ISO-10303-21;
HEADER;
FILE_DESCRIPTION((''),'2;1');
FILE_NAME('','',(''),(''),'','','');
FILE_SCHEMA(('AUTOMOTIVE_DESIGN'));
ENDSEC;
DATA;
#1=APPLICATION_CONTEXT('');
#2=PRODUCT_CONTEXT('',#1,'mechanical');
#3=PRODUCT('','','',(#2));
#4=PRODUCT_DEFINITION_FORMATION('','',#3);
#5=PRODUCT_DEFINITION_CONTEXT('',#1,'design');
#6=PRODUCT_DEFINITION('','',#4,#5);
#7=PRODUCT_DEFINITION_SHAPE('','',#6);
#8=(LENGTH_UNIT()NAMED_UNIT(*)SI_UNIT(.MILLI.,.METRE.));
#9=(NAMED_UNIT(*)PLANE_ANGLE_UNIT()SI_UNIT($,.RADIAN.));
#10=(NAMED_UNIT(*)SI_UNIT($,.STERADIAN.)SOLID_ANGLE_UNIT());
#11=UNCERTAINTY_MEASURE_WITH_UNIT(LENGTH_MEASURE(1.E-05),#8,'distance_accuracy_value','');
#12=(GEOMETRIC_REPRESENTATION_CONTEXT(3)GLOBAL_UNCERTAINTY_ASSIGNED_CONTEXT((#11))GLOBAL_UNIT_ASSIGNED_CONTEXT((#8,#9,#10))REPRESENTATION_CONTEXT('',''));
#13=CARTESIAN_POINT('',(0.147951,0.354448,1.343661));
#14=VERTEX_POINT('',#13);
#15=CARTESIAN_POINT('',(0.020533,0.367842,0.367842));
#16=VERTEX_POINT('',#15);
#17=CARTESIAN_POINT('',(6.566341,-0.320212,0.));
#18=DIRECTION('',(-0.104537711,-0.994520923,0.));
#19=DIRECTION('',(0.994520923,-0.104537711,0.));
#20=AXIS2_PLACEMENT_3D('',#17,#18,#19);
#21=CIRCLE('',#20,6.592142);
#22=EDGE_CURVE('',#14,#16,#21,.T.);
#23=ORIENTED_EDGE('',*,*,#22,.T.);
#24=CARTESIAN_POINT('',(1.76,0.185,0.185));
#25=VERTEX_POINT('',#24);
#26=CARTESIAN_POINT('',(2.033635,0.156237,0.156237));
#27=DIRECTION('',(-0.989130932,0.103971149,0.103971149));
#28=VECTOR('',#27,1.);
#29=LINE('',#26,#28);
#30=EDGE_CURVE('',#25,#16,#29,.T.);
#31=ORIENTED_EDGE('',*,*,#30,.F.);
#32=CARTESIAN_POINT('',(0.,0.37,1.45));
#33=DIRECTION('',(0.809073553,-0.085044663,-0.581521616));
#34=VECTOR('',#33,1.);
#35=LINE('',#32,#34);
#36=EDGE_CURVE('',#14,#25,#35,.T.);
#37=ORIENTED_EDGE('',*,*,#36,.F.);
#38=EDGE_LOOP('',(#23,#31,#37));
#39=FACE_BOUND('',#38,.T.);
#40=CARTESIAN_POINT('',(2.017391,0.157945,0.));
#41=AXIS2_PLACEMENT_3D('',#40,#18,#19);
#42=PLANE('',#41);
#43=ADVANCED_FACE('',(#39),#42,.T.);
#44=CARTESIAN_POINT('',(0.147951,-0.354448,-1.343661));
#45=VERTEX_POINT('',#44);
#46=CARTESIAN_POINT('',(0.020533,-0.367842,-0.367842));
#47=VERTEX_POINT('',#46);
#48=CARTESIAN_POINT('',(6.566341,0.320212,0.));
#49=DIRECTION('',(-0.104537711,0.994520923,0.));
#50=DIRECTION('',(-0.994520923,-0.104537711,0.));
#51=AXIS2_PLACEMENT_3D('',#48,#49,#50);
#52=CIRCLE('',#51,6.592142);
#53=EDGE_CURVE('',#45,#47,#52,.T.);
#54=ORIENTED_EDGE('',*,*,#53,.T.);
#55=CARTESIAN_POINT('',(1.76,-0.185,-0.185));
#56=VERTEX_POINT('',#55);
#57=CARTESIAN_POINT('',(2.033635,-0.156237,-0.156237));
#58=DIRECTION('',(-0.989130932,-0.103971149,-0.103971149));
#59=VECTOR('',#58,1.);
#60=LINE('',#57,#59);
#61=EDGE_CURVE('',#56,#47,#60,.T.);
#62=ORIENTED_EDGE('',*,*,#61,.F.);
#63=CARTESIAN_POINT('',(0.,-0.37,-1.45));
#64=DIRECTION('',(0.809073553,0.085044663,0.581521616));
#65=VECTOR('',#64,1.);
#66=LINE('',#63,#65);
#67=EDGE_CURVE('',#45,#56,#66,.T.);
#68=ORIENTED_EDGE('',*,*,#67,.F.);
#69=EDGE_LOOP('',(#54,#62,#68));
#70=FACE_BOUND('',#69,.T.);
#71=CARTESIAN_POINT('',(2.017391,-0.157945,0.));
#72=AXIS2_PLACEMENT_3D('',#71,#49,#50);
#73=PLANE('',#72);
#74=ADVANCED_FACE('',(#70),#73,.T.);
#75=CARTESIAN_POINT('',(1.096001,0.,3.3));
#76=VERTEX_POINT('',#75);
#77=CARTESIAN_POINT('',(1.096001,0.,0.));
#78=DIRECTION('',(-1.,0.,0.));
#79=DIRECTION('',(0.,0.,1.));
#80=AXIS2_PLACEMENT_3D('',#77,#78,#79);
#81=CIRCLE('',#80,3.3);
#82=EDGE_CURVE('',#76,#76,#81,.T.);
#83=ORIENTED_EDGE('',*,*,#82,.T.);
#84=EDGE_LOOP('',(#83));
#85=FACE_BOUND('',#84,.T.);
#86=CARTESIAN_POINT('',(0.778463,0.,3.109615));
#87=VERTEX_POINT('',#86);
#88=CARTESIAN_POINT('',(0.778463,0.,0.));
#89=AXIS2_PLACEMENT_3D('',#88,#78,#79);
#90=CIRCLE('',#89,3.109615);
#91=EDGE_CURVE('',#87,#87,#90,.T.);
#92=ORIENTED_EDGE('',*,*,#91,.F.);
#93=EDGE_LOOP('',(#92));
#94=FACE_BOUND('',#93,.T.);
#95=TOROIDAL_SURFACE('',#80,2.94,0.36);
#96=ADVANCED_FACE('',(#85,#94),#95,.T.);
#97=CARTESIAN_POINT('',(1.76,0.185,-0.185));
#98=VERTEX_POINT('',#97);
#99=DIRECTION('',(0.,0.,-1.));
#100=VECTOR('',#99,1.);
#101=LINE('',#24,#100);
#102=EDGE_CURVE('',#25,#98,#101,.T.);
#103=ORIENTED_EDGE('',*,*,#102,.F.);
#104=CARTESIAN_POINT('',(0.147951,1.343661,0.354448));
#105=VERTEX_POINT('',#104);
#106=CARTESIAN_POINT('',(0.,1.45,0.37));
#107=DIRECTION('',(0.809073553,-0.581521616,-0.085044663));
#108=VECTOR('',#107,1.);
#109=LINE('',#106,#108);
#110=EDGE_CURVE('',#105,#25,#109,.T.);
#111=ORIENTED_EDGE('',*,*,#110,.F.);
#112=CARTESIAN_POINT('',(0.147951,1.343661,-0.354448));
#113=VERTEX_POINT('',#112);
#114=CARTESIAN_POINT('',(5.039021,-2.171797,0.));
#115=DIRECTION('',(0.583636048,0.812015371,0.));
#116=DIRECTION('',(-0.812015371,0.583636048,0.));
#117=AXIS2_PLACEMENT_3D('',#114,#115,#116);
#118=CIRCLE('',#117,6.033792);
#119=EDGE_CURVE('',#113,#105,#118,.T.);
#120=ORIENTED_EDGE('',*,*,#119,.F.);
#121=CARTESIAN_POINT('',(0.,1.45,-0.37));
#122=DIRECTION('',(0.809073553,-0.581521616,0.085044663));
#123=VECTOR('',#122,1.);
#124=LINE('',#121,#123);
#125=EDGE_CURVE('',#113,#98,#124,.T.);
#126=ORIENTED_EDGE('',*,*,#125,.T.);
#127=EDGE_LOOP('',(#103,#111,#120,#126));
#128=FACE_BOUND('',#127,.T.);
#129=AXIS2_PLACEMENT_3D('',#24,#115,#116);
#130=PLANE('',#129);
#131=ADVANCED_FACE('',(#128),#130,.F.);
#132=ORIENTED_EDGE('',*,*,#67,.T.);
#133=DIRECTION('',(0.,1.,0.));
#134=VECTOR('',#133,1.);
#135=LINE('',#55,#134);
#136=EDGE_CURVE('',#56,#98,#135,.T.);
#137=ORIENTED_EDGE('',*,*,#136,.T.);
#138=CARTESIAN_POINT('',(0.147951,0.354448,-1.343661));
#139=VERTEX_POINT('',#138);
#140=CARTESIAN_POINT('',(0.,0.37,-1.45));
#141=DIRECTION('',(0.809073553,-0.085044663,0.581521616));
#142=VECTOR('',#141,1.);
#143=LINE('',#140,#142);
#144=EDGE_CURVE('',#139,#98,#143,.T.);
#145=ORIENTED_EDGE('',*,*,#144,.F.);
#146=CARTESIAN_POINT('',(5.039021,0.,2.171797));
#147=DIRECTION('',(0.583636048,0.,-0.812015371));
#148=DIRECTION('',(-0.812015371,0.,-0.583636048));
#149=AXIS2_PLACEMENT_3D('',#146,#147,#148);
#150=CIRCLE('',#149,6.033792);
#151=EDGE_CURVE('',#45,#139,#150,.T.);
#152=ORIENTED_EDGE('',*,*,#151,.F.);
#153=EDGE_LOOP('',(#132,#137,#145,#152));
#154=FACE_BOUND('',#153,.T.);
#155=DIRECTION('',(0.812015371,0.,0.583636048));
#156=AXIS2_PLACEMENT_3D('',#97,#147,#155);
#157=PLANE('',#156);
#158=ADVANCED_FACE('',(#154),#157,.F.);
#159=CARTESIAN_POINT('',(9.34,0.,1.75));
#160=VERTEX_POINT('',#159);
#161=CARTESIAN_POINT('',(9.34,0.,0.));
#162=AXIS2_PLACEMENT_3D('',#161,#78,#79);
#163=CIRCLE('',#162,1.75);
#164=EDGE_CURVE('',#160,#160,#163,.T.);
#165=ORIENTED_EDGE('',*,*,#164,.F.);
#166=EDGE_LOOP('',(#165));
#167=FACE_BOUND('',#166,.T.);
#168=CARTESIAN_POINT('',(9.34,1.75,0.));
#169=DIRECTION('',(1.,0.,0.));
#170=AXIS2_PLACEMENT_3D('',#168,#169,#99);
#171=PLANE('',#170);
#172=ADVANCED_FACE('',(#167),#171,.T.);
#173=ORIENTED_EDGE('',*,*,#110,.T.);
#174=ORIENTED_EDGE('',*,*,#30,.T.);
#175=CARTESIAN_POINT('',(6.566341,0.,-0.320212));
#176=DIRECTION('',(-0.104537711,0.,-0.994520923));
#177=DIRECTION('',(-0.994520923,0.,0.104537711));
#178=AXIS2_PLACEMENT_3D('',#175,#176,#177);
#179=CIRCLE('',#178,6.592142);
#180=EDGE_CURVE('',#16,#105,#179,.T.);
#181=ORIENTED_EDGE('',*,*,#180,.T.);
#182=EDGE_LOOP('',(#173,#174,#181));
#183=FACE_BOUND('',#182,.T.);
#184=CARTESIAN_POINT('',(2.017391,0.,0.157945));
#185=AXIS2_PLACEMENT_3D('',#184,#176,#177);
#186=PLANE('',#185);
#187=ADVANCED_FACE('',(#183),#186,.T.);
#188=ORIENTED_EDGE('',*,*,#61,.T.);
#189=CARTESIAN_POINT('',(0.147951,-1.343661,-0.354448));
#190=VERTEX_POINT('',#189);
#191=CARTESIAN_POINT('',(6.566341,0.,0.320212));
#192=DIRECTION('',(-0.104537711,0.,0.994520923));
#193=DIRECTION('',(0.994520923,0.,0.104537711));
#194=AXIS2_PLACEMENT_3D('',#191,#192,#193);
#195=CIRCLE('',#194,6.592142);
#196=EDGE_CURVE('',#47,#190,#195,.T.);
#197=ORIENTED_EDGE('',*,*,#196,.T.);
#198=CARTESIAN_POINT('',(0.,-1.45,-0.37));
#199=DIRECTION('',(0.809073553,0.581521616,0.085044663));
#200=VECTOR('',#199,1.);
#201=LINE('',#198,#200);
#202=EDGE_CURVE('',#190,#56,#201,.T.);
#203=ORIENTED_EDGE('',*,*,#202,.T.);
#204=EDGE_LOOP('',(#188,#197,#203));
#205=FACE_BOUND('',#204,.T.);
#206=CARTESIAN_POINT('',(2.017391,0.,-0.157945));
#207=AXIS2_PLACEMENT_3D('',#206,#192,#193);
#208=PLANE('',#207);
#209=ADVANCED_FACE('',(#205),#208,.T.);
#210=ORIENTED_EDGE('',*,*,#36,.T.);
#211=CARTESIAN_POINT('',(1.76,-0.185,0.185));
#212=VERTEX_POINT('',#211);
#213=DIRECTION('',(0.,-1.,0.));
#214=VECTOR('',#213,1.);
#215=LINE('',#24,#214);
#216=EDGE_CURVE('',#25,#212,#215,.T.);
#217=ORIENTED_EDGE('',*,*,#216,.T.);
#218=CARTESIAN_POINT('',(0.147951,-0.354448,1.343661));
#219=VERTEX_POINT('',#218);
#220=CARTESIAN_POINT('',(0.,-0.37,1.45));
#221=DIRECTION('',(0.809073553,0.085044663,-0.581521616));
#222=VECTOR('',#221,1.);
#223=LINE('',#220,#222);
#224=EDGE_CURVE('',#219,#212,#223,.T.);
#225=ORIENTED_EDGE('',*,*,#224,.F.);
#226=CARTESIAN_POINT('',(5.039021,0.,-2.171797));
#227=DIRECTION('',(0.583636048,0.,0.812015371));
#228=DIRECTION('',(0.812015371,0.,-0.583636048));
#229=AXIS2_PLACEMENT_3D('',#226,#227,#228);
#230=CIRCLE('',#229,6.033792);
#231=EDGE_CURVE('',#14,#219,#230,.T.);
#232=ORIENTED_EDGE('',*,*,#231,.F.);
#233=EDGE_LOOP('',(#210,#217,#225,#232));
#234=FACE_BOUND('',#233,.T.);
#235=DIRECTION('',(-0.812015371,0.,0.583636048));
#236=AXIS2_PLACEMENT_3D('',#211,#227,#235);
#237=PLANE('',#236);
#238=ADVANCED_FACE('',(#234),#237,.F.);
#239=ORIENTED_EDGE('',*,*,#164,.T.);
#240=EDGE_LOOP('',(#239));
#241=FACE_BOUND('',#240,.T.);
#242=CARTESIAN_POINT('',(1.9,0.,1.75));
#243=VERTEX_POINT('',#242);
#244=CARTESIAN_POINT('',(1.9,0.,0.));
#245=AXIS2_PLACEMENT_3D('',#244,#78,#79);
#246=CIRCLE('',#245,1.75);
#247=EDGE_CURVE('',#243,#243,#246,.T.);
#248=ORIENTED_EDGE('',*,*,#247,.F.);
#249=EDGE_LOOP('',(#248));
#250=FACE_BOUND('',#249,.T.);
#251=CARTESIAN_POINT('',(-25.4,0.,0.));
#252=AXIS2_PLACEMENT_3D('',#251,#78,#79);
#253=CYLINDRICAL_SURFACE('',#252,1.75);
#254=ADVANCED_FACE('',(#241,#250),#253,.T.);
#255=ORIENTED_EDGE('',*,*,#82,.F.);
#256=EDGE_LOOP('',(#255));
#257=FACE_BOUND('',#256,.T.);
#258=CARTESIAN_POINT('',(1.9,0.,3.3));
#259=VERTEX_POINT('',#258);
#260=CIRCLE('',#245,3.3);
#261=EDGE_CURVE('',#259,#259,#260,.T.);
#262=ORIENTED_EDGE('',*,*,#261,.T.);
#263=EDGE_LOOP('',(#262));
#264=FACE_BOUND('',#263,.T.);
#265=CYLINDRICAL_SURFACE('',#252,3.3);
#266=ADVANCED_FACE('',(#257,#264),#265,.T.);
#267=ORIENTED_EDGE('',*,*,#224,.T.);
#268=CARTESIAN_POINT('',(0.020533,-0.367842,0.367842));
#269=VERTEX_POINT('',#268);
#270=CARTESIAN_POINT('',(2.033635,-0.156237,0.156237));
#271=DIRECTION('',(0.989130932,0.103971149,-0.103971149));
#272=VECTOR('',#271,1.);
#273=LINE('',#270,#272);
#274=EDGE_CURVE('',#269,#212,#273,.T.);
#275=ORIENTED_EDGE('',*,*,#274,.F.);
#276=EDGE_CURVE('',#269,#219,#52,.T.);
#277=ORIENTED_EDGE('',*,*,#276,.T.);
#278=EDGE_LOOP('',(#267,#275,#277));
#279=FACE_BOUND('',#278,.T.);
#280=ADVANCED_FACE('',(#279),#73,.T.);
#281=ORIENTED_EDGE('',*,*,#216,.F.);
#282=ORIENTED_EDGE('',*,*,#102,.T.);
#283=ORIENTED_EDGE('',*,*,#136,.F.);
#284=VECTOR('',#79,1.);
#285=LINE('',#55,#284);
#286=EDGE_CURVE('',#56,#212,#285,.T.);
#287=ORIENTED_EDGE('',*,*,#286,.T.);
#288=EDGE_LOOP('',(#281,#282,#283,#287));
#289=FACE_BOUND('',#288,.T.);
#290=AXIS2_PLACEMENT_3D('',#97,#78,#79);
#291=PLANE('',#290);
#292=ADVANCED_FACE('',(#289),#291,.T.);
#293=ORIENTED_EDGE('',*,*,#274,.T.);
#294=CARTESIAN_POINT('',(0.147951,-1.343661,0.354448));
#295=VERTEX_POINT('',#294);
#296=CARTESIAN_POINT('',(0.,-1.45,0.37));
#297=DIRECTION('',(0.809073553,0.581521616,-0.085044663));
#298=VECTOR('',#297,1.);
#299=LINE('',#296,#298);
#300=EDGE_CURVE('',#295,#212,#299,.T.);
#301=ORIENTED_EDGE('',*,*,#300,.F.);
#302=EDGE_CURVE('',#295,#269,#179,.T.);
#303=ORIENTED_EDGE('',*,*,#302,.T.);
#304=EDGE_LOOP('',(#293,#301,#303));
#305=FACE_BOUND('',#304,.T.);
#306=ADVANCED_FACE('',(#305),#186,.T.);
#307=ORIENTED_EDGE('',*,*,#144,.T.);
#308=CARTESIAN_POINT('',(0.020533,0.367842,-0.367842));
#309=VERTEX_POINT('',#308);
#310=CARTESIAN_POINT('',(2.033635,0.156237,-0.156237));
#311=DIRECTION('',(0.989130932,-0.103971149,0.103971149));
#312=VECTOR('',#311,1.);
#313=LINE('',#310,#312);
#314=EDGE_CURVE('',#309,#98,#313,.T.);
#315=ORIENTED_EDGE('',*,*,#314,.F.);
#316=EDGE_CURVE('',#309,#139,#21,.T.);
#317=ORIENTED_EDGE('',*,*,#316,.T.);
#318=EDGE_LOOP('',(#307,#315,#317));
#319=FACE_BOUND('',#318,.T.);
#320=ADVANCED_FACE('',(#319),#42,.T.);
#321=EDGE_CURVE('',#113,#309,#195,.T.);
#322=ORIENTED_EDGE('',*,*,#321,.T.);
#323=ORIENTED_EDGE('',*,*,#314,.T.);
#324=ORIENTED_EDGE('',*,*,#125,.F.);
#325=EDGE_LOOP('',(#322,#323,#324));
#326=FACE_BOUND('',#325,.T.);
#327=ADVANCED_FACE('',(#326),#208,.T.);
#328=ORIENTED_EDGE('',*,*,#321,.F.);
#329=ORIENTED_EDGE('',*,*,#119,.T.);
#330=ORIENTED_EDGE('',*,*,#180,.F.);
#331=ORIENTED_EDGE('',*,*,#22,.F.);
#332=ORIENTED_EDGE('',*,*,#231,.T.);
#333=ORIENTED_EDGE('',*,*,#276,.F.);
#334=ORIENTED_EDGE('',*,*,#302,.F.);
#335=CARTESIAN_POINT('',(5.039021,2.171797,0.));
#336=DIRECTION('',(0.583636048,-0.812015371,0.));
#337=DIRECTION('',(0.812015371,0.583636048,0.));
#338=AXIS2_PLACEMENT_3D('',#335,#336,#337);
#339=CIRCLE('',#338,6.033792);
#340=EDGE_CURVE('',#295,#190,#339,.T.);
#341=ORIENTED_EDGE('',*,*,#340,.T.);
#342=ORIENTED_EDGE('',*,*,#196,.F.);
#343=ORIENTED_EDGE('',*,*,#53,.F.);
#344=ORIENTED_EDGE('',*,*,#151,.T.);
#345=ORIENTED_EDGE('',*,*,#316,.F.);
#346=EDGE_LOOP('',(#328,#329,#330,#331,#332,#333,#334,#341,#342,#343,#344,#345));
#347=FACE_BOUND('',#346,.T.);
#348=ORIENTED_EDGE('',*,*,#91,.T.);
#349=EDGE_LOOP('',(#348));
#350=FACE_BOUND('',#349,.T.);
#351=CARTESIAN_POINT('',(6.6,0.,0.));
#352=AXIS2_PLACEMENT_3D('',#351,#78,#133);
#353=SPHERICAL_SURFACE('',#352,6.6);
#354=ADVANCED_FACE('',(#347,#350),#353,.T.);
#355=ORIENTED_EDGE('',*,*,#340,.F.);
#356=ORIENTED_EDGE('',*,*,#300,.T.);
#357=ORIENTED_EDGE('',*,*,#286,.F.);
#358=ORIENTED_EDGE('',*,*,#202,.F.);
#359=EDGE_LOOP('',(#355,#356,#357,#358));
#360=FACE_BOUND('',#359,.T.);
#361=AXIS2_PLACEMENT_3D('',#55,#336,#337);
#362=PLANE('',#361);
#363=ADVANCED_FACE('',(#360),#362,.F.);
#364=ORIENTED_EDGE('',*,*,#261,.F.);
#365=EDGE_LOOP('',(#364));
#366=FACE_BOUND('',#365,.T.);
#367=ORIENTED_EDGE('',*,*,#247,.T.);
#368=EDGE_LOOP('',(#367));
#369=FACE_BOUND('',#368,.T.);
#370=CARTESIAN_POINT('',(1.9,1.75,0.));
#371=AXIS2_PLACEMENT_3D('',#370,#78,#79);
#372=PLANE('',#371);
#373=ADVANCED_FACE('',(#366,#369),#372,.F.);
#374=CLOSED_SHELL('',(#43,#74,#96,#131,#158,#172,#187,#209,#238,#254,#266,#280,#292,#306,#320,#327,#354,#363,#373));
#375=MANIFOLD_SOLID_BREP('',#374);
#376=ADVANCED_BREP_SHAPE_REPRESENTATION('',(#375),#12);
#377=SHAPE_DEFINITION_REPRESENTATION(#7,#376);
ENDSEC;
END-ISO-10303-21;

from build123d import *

# Parameters (mm, degrees)
SKETCH3_W         = 0.74
SKETCH3_H         = 2.9
SKETCH4_W         = 0.37
SKETCH4_H         = 0.37
CIRPATTERN1_COUNT = 2
CIRPATTERN1_ANGLE = 90


with BuildPart() as part:
    # BodySke → Base-Revolve (revolve)
    with BuildSketch(Plane.XY):
        with BuildLine():
            Line((1.9, 1.75), (1.9, 3.3))
            Line((1.9, 3.3), (1.096001453, 3.3))
            ThreePointArc((1.096001453, 3.3), (0.910881949, 3.248756812), (0.778463076, 3.109615385))
            ThreePointArc((0.778463076, 3.109615385), (0.197572972, 1.602787619), (0, 0))
            Line((0, 0), (9.34, 0))
            Line((9.34, 0), (9.34, 1.75))
            Line((9.34, 1.75), (1.9, 1.75))
        make_face()
    revolve(axis=Axis((-25.4, 0, 0), (1, 0, 0)))

    # Sketch3 → Cut-Loft1 section 0
    with BuildSketch(Plane(origin=(0, 0, 0), x_dir=(0, 0, -1), z_dir=(1, 0, 0))):
        Rectangle(SKETCH3_W, SKETCH3_H)
    # Sketch4 → Cut-Loft1 section 1
    with BuildSketch(Plane(origin=(1.76, 0, 0), x_dir=(0, 0, -1), z_dir=(1, 0, 0))):
        Rectangle(SKETCH4_W, SKETCH4_H)
    cut_loft1 = loft(mode=Mode.SUBTRACT)

    # CirPattern1: Cut-Loft1 ×2 about axis
    cirpattern1_axis = Axis((0, 0, 0), (1, 0, 0))
    for i in range(1, CIRPATTERN1_COUNT):
        add(cut_loft1.rotate(cirpattern1_axis, i * CIRPATTERN1_ANGLE / (CIRPATTERN1_COUNT - 1)), mode=Mode.SUBTRACT)


solid = part.part
